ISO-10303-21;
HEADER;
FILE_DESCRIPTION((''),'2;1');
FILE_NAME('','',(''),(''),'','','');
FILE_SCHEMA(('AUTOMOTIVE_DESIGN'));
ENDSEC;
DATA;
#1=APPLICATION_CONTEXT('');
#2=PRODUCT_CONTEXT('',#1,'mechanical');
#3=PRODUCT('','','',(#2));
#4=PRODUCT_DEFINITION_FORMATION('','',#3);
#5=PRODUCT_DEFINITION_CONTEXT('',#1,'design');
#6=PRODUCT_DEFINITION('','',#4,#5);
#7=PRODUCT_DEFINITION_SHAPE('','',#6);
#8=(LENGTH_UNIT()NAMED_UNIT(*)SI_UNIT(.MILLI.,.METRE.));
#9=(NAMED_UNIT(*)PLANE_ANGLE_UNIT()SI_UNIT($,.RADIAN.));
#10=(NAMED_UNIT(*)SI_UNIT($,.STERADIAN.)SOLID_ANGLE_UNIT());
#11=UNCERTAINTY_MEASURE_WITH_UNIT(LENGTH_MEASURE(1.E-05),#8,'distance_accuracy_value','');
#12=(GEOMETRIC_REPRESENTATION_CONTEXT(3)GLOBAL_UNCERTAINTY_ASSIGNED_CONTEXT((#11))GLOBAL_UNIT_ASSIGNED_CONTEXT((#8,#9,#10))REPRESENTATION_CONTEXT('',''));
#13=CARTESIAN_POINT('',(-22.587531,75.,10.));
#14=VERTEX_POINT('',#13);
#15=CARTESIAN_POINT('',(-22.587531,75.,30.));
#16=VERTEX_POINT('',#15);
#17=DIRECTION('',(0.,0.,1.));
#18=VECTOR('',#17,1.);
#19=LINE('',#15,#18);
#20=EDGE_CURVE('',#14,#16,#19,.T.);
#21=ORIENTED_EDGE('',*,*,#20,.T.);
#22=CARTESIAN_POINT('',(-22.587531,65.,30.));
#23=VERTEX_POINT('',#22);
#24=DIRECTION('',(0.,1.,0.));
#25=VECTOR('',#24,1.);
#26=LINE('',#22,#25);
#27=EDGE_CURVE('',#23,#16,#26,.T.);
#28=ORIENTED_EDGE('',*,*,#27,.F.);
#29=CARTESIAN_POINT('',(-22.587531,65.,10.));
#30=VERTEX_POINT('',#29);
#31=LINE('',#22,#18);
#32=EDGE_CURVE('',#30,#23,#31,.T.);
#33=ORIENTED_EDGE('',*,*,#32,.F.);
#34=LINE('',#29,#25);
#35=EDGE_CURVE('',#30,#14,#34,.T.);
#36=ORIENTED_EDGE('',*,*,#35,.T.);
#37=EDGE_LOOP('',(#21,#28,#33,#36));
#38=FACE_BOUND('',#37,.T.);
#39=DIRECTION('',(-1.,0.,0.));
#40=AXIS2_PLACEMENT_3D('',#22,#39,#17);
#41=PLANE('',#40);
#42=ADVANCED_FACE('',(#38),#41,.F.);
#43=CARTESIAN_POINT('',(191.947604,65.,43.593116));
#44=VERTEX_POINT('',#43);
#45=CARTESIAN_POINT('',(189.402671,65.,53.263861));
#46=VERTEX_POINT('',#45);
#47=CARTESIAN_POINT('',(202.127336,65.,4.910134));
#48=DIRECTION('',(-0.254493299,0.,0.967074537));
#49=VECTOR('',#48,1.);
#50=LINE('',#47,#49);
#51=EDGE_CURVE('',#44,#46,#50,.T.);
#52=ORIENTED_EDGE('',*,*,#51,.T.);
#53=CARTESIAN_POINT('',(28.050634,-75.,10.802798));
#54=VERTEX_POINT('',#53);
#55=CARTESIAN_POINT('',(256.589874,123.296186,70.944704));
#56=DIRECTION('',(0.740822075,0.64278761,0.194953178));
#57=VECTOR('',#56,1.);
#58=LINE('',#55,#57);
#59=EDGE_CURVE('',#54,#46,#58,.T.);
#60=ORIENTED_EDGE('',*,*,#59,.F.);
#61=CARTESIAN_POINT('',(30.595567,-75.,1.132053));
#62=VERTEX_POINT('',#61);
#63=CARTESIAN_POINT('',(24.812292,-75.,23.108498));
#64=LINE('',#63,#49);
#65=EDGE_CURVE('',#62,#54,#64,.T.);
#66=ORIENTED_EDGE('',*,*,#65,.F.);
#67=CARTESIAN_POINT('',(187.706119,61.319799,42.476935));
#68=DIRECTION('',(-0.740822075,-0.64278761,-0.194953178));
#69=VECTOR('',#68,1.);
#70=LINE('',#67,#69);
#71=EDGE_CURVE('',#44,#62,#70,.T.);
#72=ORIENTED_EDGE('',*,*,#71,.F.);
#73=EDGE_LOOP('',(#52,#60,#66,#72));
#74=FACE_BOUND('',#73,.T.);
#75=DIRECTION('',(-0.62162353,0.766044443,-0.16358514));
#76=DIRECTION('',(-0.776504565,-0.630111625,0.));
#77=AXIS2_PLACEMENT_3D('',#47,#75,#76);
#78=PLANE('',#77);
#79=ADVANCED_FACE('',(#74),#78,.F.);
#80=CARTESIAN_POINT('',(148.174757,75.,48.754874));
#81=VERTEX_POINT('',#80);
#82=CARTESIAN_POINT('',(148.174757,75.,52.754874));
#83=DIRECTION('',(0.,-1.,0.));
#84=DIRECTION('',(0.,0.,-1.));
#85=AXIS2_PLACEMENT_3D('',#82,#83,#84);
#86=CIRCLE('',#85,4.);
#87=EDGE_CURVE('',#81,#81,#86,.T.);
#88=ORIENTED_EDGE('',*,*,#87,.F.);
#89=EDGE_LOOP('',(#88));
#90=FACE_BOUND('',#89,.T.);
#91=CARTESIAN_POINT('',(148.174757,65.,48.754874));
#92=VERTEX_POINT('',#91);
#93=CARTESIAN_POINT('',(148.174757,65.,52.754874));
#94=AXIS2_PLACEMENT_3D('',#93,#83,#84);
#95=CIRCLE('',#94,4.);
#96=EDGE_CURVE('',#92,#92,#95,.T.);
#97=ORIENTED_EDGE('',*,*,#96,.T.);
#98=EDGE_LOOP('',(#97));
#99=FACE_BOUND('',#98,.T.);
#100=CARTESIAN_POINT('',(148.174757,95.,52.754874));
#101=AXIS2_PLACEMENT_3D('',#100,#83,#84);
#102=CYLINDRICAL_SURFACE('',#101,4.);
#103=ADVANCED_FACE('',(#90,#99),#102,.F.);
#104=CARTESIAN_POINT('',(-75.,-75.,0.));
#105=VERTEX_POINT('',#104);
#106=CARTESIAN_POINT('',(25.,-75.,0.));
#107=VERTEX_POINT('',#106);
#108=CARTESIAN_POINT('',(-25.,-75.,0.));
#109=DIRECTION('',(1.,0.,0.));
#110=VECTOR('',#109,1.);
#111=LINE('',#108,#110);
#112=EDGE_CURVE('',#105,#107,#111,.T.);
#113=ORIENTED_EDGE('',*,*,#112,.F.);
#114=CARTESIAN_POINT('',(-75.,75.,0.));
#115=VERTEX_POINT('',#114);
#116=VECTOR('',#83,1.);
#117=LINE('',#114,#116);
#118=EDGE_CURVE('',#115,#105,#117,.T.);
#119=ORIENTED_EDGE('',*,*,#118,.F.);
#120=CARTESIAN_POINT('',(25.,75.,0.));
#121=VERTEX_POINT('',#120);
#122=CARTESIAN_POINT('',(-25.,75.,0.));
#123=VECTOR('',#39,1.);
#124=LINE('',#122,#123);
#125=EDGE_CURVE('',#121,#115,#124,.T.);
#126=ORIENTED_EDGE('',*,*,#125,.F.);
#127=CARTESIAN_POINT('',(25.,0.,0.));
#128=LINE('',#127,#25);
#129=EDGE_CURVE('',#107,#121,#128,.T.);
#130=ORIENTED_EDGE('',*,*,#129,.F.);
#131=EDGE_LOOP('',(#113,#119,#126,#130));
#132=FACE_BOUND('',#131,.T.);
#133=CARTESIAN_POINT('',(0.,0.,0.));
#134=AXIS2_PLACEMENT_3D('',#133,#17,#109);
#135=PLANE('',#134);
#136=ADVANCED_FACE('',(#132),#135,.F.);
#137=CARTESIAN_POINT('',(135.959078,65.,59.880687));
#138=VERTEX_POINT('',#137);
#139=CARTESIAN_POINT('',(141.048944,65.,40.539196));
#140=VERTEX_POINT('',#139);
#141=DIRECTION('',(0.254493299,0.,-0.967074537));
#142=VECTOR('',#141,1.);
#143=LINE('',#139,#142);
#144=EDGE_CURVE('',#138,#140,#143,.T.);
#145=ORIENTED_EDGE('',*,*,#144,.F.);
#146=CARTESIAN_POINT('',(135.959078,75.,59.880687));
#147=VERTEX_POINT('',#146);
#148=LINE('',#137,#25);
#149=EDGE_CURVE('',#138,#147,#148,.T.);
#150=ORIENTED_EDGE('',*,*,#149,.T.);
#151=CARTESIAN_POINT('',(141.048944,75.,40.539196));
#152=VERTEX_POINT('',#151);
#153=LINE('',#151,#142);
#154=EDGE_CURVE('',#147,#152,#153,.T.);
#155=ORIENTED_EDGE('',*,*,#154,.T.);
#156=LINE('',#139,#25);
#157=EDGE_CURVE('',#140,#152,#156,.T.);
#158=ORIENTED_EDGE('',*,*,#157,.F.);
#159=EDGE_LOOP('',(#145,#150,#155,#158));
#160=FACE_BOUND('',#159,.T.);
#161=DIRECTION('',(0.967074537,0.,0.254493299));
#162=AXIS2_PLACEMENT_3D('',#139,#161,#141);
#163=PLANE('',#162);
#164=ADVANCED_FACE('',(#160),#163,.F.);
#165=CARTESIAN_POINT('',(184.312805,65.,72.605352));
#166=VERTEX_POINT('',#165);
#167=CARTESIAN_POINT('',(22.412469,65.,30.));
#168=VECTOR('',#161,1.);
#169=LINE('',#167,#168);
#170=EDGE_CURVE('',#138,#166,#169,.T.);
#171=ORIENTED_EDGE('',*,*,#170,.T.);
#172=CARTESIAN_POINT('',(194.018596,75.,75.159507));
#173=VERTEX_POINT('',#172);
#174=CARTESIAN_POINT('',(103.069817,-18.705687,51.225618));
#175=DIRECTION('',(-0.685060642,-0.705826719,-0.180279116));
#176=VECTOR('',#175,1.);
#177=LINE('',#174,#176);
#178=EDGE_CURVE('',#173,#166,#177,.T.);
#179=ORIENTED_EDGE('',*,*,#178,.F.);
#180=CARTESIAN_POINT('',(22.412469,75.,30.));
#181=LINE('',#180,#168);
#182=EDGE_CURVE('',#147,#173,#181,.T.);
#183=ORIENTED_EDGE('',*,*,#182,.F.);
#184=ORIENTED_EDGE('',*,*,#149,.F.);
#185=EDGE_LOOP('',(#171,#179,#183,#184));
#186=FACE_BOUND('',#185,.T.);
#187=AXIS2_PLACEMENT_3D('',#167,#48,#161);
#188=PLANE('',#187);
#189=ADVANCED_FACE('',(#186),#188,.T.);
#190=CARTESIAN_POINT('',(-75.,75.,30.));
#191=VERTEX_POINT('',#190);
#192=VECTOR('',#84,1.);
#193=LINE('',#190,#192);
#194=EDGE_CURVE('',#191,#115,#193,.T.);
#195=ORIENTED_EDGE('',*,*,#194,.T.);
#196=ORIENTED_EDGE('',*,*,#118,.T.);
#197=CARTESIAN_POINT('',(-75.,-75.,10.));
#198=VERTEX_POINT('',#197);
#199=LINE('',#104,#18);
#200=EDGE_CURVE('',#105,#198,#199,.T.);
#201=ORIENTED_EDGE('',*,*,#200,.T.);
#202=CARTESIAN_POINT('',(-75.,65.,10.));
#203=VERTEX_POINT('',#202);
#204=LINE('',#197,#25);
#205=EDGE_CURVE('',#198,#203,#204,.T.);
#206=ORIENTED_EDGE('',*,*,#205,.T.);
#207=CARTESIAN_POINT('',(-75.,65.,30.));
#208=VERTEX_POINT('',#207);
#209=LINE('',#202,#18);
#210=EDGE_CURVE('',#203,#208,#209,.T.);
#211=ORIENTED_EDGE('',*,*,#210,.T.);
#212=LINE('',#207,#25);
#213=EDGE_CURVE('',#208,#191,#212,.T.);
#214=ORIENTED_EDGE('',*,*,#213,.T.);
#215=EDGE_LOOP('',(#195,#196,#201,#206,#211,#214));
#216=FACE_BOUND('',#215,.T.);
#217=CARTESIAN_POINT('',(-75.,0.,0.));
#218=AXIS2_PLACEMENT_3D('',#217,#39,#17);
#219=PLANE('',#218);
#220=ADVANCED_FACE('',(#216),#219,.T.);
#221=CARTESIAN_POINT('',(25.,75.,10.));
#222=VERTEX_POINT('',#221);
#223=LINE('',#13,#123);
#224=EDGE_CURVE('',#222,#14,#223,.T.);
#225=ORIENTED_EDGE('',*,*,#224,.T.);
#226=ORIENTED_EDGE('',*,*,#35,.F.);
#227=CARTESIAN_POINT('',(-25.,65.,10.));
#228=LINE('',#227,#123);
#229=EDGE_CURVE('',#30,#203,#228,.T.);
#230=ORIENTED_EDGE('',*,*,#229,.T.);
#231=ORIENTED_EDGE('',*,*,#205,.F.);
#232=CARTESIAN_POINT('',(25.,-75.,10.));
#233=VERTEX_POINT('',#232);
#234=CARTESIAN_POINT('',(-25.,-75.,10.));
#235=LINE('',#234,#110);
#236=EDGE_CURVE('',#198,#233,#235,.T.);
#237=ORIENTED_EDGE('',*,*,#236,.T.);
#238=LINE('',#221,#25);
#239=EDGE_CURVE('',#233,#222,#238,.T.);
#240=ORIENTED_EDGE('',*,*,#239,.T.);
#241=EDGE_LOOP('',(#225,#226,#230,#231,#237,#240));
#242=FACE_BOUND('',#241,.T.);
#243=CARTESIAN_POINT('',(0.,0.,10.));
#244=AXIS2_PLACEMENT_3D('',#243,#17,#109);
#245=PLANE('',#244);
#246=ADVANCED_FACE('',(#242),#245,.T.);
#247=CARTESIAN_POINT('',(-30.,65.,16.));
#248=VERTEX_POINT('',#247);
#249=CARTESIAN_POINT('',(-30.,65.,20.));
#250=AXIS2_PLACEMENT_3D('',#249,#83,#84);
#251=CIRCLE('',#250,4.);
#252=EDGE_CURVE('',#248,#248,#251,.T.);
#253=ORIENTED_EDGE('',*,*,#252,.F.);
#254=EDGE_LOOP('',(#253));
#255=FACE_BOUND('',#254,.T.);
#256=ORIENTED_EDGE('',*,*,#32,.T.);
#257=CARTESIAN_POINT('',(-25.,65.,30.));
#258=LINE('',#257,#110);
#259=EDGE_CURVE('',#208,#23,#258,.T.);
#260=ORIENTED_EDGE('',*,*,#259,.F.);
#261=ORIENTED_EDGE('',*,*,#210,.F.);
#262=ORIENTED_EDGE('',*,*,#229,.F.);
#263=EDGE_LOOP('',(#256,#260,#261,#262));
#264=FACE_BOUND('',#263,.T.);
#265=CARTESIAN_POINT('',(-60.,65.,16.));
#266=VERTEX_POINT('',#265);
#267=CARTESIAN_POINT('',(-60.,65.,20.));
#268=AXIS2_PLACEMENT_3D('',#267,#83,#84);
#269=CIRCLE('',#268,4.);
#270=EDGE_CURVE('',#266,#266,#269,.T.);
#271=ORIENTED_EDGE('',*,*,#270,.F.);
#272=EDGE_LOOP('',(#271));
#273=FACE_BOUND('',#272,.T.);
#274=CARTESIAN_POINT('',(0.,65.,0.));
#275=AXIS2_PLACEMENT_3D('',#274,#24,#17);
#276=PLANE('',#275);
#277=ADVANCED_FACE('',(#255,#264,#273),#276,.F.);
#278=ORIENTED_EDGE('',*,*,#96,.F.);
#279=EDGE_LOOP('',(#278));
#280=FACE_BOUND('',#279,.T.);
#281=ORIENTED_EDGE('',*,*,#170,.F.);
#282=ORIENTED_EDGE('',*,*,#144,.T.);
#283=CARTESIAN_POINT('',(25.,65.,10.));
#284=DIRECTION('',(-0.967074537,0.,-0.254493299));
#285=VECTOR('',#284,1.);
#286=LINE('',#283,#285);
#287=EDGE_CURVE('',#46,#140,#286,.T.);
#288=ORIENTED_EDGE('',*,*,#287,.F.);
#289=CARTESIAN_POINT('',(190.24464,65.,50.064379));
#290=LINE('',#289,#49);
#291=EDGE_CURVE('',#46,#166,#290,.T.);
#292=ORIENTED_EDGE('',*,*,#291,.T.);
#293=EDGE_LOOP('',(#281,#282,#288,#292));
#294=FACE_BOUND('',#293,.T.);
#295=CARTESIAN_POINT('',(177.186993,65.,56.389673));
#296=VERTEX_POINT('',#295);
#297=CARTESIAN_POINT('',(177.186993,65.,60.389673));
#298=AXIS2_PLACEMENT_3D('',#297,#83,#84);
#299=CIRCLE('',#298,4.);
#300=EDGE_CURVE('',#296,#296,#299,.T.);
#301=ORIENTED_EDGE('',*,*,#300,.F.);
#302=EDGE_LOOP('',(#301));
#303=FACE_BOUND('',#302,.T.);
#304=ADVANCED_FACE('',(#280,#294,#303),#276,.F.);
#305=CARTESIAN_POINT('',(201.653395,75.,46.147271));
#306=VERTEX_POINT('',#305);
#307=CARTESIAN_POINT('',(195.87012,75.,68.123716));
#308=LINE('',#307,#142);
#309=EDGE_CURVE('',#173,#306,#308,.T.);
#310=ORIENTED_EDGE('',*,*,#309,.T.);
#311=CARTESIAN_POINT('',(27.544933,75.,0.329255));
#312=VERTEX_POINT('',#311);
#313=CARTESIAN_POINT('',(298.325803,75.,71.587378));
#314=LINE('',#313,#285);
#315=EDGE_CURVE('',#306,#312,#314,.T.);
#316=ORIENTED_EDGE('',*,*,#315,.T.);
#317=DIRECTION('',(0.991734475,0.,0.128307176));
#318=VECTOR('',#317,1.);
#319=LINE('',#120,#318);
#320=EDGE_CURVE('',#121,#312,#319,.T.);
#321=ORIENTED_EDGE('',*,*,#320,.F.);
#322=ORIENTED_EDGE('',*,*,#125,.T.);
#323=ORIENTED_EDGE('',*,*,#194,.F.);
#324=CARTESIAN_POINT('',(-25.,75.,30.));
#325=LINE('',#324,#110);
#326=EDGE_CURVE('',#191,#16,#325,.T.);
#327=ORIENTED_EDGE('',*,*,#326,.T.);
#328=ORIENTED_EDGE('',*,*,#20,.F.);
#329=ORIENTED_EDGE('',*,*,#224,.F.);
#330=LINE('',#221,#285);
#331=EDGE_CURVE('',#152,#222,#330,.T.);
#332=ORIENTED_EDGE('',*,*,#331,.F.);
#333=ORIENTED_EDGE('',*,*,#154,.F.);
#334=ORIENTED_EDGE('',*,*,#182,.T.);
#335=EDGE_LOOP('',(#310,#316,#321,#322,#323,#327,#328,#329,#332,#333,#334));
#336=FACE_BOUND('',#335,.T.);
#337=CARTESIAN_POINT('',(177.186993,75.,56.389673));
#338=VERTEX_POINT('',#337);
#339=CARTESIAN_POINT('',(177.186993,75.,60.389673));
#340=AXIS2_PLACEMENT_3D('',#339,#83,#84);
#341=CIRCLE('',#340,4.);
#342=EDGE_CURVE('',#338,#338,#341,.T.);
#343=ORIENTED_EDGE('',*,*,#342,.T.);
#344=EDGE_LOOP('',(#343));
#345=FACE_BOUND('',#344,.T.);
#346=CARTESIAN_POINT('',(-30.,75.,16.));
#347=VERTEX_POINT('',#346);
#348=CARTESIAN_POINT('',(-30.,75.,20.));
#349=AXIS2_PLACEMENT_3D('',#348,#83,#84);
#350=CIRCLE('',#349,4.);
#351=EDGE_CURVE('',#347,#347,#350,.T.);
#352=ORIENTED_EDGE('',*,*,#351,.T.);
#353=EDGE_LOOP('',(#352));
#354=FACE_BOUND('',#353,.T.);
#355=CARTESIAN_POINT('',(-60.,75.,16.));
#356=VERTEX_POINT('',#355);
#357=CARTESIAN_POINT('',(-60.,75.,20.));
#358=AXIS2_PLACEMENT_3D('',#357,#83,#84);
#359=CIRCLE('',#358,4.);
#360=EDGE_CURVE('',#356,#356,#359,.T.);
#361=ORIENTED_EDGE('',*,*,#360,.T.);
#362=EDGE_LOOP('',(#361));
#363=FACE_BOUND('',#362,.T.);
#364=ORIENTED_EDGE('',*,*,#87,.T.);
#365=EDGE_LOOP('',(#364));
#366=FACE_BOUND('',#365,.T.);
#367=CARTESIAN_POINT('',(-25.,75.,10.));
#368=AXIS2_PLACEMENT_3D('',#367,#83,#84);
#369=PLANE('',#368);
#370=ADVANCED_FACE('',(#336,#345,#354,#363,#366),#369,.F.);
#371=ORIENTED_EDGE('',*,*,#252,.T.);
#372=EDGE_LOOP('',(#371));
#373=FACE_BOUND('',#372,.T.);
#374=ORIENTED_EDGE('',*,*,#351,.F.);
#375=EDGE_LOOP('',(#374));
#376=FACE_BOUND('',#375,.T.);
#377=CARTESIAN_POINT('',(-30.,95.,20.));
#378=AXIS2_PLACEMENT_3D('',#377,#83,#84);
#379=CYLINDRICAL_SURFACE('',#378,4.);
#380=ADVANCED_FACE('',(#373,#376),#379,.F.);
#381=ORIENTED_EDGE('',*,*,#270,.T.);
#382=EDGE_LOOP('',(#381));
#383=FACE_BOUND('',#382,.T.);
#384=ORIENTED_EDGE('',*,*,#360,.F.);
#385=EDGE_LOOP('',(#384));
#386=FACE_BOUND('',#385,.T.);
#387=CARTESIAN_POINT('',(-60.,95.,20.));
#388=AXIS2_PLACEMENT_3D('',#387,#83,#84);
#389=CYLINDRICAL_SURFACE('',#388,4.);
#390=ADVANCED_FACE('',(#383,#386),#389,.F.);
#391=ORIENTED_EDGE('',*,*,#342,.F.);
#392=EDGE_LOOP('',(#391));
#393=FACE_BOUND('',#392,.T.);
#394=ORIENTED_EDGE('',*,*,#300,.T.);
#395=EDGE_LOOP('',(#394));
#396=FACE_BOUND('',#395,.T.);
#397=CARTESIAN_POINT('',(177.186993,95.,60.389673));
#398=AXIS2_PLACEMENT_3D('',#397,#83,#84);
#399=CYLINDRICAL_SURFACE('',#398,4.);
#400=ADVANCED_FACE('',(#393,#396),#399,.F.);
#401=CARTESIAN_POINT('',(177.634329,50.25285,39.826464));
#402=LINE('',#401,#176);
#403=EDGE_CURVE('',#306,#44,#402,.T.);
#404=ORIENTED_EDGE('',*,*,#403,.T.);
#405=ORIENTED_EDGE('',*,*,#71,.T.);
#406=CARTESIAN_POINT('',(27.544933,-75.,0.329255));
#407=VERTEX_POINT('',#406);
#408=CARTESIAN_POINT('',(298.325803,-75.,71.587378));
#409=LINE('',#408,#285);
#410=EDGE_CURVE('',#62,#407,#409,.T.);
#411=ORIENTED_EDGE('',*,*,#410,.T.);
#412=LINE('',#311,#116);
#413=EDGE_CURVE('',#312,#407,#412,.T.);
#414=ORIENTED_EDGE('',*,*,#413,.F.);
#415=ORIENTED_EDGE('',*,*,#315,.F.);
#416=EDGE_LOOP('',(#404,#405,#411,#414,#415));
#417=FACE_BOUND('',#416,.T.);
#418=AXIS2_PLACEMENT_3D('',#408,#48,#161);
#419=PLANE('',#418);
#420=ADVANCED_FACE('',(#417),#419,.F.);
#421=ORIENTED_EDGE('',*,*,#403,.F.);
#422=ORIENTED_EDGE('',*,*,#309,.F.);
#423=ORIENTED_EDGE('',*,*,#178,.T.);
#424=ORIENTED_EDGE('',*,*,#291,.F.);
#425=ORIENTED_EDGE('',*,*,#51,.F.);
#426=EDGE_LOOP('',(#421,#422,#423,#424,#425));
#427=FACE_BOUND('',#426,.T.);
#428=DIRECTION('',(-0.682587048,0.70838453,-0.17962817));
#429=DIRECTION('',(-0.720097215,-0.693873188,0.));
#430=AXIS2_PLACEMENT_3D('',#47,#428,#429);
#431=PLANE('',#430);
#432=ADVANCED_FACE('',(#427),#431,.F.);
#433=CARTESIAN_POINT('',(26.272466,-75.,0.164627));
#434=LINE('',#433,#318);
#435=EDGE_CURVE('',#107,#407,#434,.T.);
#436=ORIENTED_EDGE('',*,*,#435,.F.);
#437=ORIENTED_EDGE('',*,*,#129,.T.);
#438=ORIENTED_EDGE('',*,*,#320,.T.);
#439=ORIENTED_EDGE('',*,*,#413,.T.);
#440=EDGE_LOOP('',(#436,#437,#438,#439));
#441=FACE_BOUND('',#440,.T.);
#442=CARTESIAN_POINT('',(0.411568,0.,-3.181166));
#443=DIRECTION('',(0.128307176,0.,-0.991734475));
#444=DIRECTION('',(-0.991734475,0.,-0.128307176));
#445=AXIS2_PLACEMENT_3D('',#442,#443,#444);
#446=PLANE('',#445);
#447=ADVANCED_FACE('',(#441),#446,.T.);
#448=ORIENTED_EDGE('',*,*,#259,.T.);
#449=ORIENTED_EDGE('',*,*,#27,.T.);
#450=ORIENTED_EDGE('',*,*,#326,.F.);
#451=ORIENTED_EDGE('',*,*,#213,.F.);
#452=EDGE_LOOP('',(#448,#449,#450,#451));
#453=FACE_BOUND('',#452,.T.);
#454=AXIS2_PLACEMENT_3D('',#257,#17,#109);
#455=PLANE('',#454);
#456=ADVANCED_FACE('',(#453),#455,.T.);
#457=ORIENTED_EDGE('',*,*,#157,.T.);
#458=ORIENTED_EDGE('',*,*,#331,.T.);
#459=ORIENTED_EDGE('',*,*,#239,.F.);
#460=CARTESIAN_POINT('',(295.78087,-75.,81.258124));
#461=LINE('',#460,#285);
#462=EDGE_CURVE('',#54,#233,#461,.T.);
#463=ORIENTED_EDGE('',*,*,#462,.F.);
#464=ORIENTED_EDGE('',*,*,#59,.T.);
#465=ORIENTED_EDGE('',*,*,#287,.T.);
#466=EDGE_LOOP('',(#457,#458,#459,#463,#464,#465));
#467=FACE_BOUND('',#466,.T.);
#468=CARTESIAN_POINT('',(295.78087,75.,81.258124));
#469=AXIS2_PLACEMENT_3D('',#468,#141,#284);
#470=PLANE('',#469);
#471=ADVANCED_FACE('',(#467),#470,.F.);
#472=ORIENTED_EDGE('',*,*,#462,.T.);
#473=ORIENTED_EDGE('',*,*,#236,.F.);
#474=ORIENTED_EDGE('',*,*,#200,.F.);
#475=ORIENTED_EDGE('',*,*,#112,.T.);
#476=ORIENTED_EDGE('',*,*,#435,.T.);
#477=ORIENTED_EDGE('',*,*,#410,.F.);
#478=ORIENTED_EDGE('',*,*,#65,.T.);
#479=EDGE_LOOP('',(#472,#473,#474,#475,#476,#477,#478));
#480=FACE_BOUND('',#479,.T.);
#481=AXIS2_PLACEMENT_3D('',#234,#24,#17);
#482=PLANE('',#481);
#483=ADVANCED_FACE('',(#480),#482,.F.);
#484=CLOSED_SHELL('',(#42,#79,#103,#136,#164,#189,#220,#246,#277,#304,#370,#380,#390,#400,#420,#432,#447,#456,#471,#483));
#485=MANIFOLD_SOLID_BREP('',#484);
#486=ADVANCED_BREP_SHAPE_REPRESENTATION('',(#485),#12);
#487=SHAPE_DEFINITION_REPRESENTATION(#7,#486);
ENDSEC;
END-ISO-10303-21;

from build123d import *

# Parameters (mm, degrees)
SKETCH_1_W          = 50
SKETCH_1_H          = 150
EXTRUDE_1_DEPTH     = 10
SKETCH_4_W          = 10
SKETCH_4_H          = 150
EXTRUDE_2_DEPTH     = 280
EXTRUDE_3_DEPTH     = 10
CUT_EXTRUDE_2_DEPTH = 50
EXTRUDE_4_DEPTH     = 50
SKETCH_11_R         = 4
CUT_EXTRUDE_3_DEPTH = 30
CUT_EXTRUDE_4_DEPTH = 10


with BuildPart() as part:
    # 草图1 → 凸台-拉伸1 (new body)
    with BuildSketch(Plane.XY):
        Rectangle(SKETCH_1_W, SKETCH_1_H)
    extrude(amount=EXTRUDE_1_DEPTH)



with BuildPart() as body_2:
    # 草图4 → 凸台-拉伸2 (new body)
    with BuildSketch(Plane(origin=(25, 75, 10), x_dir=(0.25449329927964387, 0, -0.9670745372626465), z_dir=(0.9670745372626464, 0, 0.2544932992796438))):
        with Locations((5, -75)):
            Rectangle(SKETCH_4_W, SKETCH_4_H)
    extrude(amount=EXTRUDE_2_DEPTH)


with BuildPart() as part_1:
    add(part.part)

    add(body_2.part)  # 放样1 merges body 2
    # 草图2 → 放样1 section 0
    with BuildSketch(Plane(origin=(25, 0, 0), x_dir=(0, 0, -1), z_dir=(1, 0, 0))):
        with BuildLine():
            Line((-10, 75), (0, 75))
            Line((0, 75), (0, -75))
            Line((0, -75), (-10, -75))
            Line((-10, -75), (-10, 75))
        make_face()
    # 草图5 → 放样1 section 1
    with BuildSketch(Plane(origin=(25.841968912, 0, 6.800518135), x_dir=(-0.2544932992796439, 0, 0.9670745372626465), z_dir=(-0.9670745372626464, 0, -0.25449329927964387))):
        with BuildLine():
            Line((-6.691587109, 75), (3.308412891, 75))
            Line((3.308412891, 75), (3.308412891, -75))
            Line((3.308412891, -75), (-6.691587109, -75))
            Line((-6.691587109, -75), (-6.691587109, 75))
        make_face()
    loft()

    # 草图7 → 凸台-拉伸3 (add)
    with BuildSketch(Plane(origin=(0, 75, 0), x_dir=(1, 0, 0), z_dir=(0, 1, 0))):
        Polygon((25, -10), (295.780870434, -81.258123798), (290.691004448, -100.599614544), (22.412469182, -30), (-25, -30), (-25, -10), align=None)
    extrude(amount=-EXTRUDE_3_DEPTH)

    # 草图8 → 切除-拉伸2 (cut, symmetric)
    with BuildSketch(Plane(origin=(-0.841968912, 0, 3.199481865), x_dir=(0.9670745372626465, 0, 0.25449329927964387), z_dir=(-0.2544932992796438, 0, 0.9670745372626464))):
        Polygon((26.721796424, -77.6469373), (-24.176863432, -75), (27.635711624, -109.174511974), (84.817327957, -109.174511974), (350.303403792, -101.880938462), (393.450387561, 75.498769348), (354.489240356, 81.573837192), (253.227147434, 121.301323399), (196.721796424, 65), align=None)
    extrude(amount=CUT_EXTRUDE_2_DEPTH, both=True, mode=Mode.SUBTRACT)

    # 草图10 → 凸台-拉伸4 (add)
    with BuildSketch(Plane.ZY.offset(25)):
        Polygon((0, 75), (0, -75), (10, -75), (10, 65), (30, 65), (30, 75), align=None)
    extrude(amount=EXTRUDE_4_DEPTH)

    # 草图11 → 切除-拉伸3 (cut)
    with BuildSketch(Plane.XZ.offset(-65)):
        with Locations(Location((-60, 20, 0), (0, 0, 270))):
            Circle(SKETCH_11_R)
        with Locations(Location((177.186992969, 60.389673257, 0), (0, 0, 270))):
            Circle(SKETCH_11_R)
        with Locations(Location((148.174756851, 52.754874279, 0), (0, 0, 270))):
            Circle(SKETCH_11_R)
        with Locations(Location((-30, 20, 0), (0, 0, 270))):
            Circle(SKETCH_11_R)
    extrude(amount=-CUT_EXTRUDE_3_DEPTH, mode=Mode.SUBTRACT)

    # 草图12 → 切除-拉伸4 (cut)
    with BuildSketch(Plane(origin=(0, 75, 0), x_dir=(1, 0, 0), z_dir=(0, 1, 0))):
        Polygon((-22.587530818, -30), (-22.587530818, -10), (25, -10), (141.048944472, -40.539195914), (135.959078486, -59.880686659), (22.412469182, -30), align=None)
    extrude(amount=-CUT_EXTRUDE_4_DEPTH, mode=Mode.SUBTRACT)


solid = part_1.part
